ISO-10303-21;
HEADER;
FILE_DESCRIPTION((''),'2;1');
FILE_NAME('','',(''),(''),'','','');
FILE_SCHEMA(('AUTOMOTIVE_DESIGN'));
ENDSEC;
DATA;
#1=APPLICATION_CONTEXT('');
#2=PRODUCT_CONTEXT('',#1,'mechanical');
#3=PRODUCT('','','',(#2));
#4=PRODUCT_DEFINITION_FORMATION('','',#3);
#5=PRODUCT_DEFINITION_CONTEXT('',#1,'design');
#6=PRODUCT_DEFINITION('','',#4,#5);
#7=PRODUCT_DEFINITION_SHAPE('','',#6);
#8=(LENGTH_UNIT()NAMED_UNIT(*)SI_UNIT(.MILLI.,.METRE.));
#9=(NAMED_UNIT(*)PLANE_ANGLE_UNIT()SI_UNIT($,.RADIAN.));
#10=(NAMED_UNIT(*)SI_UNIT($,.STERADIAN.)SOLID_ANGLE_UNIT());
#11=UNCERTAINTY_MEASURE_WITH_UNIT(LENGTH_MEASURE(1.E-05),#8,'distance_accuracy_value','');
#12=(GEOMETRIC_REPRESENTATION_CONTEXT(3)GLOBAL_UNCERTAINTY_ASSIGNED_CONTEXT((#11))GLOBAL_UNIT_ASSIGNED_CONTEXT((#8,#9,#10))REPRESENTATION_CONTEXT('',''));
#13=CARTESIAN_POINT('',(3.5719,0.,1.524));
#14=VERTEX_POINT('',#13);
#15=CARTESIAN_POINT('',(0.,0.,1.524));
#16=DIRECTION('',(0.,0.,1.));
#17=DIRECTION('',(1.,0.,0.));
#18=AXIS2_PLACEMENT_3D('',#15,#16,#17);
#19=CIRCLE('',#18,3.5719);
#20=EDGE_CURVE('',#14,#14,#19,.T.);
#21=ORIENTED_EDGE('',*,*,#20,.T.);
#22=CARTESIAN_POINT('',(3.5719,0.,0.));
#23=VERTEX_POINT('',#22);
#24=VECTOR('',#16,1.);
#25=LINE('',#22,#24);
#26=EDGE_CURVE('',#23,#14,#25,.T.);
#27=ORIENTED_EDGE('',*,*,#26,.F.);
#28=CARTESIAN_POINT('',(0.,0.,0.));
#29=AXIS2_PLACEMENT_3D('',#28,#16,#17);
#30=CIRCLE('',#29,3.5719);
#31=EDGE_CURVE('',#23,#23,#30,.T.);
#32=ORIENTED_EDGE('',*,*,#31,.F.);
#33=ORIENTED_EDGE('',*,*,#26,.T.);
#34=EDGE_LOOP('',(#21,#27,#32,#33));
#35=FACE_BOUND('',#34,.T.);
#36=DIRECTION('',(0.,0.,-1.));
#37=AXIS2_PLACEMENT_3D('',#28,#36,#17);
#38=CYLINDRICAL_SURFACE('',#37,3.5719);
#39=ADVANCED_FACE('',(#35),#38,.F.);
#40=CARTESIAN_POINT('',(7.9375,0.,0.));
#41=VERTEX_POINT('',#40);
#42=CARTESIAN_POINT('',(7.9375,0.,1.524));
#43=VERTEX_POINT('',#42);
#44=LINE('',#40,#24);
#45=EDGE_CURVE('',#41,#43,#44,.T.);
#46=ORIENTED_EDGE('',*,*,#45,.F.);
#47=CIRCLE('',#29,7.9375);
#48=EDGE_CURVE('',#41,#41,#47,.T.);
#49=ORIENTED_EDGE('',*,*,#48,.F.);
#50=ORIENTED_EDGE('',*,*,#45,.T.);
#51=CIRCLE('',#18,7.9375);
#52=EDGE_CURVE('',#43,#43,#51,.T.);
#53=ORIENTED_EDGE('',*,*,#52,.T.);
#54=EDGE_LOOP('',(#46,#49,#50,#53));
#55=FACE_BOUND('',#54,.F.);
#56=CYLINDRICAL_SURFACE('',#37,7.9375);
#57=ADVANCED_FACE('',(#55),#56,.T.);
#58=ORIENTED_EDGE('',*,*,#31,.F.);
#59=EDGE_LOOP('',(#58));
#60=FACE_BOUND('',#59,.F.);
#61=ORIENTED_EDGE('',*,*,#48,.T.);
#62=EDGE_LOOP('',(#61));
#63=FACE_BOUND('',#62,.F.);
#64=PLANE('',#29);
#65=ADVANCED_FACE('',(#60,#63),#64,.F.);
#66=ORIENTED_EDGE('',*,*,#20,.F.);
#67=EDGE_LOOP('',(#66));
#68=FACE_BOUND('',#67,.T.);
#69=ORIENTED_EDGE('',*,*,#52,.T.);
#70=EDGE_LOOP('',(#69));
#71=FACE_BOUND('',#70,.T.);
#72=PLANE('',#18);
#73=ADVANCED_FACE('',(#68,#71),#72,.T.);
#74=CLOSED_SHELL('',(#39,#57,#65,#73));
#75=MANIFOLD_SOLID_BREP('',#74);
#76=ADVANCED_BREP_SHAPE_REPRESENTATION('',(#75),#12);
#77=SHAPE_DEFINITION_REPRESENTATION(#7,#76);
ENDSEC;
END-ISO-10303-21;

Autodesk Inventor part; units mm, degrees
ref_plane "YZ Plane" through (0, 0, 0) normal (1, 0, 0) x (0, 1, 0)
ref_plane "XZ Plane" through (0, 0, 0) normal (0, 1, 0) x (-1, 0, 0)
ref_plane "XY Plane" through (0, 0, 0) normal (0, 0, 1) x (1, 0, 0)
sketch "Sketch2" plane through (0, 0, 0) normal (0, 0, 1) x (1, 0, 0)
  circle A0 centre (0, 0) radius 3.5719
  circle A1 centre (0, 0) radius 7.9375
  dimension "d0" = 7.1437
  dimension "d1" = 15.875
extrude "Extrusion1" add sketch "Sketch2" along normal blind 1.524
properties part number "14-20 Washer - Flat" material "Steel"
